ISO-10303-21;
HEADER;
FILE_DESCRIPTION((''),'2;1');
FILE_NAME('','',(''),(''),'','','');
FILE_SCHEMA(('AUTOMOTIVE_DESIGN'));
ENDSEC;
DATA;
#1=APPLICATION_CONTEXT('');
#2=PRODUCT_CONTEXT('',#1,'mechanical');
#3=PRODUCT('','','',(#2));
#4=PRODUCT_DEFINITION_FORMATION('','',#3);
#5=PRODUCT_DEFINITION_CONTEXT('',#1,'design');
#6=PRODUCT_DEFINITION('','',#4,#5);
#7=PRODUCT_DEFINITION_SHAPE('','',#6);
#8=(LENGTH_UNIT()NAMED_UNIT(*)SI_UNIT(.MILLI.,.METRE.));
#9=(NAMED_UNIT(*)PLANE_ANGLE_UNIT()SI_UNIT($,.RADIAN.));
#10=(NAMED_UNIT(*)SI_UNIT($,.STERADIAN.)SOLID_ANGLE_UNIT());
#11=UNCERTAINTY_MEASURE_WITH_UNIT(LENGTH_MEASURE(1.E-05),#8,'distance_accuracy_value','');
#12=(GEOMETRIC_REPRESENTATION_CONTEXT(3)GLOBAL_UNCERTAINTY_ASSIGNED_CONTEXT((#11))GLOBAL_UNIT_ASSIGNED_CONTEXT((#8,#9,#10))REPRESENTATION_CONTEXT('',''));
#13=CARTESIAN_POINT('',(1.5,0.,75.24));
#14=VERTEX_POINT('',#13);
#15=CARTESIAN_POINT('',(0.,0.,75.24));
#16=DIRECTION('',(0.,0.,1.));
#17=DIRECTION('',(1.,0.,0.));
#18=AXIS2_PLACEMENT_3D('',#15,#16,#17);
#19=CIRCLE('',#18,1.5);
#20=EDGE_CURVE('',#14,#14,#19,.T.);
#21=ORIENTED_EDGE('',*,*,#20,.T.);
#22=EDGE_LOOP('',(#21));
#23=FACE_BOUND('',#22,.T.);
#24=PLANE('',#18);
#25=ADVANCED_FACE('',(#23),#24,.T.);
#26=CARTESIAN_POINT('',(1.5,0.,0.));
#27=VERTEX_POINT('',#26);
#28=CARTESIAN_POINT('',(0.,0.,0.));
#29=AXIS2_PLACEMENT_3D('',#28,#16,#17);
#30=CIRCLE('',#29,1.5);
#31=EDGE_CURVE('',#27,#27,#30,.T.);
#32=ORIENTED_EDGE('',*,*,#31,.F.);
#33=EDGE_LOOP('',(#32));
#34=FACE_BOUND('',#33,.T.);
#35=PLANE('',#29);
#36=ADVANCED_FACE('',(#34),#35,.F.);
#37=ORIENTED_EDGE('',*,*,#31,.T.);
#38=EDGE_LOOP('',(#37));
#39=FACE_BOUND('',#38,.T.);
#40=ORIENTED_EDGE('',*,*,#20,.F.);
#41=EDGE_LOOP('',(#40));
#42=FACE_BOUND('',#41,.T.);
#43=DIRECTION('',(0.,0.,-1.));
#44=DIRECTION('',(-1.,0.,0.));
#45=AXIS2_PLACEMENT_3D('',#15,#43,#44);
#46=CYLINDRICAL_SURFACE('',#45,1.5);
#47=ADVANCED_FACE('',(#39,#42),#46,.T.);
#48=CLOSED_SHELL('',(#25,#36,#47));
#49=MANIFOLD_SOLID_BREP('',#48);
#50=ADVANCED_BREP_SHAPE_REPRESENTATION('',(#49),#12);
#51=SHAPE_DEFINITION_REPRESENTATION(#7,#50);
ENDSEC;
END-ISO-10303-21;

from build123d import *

# Parameters (mm, degrees)
SKETCH_1_R      = 1.5
EXTRUDE_1_DEPTH = 75.24


with BuildPart() as part:
    # 草圖1 → 填料-伸長1 (new body)
    with BuildSketch(Plane.XY):
        Circle(SKETCH_1_R)
    extrude(amount=EXTRUDE_1_DEPTH)


solid = part.part
